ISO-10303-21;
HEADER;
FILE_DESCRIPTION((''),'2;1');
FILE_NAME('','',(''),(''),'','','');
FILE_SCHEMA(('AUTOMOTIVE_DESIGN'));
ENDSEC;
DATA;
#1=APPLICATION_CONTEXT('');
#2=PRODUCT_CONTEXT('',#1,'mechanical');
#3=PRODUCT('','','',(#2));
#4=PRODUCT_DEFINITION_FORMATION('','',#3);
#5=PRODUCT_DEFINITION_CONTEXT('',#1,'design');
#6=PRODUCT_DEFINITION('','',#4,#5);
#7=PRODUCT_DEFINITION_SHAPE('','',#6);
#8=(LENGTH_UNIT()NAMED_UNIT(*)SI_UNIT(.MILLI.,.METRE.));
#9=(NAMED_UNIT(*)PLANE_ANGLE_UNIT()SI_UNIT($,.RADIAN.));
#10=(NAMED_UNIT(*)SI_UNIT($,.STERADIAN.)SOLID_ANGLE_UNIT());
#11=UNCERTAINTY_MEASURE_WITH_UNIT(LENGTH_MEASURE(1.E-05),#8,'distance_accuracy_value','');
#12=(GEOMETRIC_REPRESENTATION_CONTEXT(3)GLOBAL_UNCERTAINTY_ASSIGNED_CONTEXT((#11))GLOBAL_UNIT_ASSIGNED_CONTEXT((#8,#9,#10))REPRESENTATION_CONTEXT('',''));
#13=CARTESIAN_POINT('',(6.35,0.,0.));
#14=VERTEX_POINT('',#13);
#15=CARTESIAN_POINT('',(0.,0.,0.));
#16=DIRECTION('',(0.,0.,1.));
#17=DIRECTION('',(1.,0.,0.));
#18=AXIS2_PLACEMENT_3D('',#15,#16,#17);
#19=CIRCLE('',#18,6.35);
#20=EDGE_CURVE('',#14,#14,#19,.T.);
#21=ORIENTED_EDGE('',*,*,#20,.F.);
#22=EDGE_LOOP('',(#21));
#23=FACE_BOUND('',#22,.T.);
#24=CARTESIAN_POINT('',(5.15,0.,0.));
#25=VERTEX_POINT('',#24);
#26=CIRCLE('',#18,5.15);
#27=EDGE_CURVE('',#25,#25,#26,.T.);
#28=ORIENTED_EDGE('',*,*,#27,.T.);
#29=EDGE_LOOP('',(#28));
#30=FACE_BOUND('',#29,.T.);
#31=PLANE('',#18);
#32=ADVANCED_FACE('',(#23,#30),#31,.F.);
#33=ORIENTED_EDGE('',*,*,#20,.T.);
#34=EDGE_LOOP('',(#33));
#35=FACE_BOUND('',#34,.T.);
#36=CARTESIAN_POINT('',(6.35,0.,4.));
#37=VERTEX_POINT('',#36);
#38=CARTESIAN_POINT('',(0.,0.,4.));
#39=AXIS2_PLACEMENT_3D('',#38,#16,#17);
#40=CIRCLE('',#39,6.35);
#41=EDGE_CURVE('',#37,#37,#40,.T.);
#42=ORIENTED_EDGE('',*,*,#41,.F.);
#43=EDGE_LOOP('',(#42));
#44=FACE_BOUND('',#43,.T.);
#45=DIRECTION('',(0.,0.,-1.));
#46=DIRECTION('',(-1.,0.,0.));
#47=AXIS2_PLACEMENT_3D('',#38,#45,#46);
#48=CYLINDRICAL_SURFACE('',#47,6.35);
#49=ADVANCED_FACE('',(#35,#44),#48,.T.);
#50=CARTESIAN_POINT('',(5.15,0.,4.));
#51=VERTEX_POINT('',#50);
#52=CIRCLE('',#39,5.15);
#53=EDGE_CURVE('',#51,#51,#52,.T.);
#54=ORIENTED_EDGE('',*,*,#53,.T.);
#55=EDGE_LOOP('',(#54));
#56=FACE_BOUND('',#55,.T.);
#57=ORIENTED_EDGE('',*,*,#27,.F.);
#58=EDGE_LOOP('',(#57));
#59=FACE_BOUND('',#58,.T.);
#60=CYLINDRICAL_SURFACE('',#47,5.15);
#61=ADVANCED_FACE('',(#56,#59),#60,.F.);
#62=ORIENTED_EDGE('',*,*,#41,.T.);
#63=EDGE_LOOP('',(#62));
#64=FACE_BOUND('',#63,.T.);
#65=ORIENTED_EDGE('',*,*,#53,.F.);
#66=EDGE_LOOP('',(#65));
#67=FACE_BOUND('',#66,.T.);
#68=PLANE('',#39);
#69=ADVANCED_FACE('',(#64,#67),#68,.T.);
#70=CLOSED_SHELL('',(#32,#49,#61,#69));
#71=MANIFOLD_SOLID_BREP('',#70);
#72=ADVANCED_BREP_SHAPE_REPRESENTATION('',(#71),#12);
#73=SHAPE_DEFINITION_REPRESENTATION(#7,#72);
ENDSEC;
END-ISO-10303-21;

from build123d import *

# Parameters (mm, degrees)
ESBO_O1_R                = 6.35
ESBO_O1_R_2              = 5.15
RESSALTO_EXTRUS_O1_DEPTH = 4


with BuildPart() as part:
    # Esboço1 → Ressalto-extrusão1 (new body)
    with BuildSketch(Plane.XY):
        Circle(ESBO_O1_R)
        Circle(ESBO_O1_R_2, mode=Mode.SUBTRACT)
    extrude(amount=RESSALTO_EXTRUS_O1_DEPTH)


solid = part.part
